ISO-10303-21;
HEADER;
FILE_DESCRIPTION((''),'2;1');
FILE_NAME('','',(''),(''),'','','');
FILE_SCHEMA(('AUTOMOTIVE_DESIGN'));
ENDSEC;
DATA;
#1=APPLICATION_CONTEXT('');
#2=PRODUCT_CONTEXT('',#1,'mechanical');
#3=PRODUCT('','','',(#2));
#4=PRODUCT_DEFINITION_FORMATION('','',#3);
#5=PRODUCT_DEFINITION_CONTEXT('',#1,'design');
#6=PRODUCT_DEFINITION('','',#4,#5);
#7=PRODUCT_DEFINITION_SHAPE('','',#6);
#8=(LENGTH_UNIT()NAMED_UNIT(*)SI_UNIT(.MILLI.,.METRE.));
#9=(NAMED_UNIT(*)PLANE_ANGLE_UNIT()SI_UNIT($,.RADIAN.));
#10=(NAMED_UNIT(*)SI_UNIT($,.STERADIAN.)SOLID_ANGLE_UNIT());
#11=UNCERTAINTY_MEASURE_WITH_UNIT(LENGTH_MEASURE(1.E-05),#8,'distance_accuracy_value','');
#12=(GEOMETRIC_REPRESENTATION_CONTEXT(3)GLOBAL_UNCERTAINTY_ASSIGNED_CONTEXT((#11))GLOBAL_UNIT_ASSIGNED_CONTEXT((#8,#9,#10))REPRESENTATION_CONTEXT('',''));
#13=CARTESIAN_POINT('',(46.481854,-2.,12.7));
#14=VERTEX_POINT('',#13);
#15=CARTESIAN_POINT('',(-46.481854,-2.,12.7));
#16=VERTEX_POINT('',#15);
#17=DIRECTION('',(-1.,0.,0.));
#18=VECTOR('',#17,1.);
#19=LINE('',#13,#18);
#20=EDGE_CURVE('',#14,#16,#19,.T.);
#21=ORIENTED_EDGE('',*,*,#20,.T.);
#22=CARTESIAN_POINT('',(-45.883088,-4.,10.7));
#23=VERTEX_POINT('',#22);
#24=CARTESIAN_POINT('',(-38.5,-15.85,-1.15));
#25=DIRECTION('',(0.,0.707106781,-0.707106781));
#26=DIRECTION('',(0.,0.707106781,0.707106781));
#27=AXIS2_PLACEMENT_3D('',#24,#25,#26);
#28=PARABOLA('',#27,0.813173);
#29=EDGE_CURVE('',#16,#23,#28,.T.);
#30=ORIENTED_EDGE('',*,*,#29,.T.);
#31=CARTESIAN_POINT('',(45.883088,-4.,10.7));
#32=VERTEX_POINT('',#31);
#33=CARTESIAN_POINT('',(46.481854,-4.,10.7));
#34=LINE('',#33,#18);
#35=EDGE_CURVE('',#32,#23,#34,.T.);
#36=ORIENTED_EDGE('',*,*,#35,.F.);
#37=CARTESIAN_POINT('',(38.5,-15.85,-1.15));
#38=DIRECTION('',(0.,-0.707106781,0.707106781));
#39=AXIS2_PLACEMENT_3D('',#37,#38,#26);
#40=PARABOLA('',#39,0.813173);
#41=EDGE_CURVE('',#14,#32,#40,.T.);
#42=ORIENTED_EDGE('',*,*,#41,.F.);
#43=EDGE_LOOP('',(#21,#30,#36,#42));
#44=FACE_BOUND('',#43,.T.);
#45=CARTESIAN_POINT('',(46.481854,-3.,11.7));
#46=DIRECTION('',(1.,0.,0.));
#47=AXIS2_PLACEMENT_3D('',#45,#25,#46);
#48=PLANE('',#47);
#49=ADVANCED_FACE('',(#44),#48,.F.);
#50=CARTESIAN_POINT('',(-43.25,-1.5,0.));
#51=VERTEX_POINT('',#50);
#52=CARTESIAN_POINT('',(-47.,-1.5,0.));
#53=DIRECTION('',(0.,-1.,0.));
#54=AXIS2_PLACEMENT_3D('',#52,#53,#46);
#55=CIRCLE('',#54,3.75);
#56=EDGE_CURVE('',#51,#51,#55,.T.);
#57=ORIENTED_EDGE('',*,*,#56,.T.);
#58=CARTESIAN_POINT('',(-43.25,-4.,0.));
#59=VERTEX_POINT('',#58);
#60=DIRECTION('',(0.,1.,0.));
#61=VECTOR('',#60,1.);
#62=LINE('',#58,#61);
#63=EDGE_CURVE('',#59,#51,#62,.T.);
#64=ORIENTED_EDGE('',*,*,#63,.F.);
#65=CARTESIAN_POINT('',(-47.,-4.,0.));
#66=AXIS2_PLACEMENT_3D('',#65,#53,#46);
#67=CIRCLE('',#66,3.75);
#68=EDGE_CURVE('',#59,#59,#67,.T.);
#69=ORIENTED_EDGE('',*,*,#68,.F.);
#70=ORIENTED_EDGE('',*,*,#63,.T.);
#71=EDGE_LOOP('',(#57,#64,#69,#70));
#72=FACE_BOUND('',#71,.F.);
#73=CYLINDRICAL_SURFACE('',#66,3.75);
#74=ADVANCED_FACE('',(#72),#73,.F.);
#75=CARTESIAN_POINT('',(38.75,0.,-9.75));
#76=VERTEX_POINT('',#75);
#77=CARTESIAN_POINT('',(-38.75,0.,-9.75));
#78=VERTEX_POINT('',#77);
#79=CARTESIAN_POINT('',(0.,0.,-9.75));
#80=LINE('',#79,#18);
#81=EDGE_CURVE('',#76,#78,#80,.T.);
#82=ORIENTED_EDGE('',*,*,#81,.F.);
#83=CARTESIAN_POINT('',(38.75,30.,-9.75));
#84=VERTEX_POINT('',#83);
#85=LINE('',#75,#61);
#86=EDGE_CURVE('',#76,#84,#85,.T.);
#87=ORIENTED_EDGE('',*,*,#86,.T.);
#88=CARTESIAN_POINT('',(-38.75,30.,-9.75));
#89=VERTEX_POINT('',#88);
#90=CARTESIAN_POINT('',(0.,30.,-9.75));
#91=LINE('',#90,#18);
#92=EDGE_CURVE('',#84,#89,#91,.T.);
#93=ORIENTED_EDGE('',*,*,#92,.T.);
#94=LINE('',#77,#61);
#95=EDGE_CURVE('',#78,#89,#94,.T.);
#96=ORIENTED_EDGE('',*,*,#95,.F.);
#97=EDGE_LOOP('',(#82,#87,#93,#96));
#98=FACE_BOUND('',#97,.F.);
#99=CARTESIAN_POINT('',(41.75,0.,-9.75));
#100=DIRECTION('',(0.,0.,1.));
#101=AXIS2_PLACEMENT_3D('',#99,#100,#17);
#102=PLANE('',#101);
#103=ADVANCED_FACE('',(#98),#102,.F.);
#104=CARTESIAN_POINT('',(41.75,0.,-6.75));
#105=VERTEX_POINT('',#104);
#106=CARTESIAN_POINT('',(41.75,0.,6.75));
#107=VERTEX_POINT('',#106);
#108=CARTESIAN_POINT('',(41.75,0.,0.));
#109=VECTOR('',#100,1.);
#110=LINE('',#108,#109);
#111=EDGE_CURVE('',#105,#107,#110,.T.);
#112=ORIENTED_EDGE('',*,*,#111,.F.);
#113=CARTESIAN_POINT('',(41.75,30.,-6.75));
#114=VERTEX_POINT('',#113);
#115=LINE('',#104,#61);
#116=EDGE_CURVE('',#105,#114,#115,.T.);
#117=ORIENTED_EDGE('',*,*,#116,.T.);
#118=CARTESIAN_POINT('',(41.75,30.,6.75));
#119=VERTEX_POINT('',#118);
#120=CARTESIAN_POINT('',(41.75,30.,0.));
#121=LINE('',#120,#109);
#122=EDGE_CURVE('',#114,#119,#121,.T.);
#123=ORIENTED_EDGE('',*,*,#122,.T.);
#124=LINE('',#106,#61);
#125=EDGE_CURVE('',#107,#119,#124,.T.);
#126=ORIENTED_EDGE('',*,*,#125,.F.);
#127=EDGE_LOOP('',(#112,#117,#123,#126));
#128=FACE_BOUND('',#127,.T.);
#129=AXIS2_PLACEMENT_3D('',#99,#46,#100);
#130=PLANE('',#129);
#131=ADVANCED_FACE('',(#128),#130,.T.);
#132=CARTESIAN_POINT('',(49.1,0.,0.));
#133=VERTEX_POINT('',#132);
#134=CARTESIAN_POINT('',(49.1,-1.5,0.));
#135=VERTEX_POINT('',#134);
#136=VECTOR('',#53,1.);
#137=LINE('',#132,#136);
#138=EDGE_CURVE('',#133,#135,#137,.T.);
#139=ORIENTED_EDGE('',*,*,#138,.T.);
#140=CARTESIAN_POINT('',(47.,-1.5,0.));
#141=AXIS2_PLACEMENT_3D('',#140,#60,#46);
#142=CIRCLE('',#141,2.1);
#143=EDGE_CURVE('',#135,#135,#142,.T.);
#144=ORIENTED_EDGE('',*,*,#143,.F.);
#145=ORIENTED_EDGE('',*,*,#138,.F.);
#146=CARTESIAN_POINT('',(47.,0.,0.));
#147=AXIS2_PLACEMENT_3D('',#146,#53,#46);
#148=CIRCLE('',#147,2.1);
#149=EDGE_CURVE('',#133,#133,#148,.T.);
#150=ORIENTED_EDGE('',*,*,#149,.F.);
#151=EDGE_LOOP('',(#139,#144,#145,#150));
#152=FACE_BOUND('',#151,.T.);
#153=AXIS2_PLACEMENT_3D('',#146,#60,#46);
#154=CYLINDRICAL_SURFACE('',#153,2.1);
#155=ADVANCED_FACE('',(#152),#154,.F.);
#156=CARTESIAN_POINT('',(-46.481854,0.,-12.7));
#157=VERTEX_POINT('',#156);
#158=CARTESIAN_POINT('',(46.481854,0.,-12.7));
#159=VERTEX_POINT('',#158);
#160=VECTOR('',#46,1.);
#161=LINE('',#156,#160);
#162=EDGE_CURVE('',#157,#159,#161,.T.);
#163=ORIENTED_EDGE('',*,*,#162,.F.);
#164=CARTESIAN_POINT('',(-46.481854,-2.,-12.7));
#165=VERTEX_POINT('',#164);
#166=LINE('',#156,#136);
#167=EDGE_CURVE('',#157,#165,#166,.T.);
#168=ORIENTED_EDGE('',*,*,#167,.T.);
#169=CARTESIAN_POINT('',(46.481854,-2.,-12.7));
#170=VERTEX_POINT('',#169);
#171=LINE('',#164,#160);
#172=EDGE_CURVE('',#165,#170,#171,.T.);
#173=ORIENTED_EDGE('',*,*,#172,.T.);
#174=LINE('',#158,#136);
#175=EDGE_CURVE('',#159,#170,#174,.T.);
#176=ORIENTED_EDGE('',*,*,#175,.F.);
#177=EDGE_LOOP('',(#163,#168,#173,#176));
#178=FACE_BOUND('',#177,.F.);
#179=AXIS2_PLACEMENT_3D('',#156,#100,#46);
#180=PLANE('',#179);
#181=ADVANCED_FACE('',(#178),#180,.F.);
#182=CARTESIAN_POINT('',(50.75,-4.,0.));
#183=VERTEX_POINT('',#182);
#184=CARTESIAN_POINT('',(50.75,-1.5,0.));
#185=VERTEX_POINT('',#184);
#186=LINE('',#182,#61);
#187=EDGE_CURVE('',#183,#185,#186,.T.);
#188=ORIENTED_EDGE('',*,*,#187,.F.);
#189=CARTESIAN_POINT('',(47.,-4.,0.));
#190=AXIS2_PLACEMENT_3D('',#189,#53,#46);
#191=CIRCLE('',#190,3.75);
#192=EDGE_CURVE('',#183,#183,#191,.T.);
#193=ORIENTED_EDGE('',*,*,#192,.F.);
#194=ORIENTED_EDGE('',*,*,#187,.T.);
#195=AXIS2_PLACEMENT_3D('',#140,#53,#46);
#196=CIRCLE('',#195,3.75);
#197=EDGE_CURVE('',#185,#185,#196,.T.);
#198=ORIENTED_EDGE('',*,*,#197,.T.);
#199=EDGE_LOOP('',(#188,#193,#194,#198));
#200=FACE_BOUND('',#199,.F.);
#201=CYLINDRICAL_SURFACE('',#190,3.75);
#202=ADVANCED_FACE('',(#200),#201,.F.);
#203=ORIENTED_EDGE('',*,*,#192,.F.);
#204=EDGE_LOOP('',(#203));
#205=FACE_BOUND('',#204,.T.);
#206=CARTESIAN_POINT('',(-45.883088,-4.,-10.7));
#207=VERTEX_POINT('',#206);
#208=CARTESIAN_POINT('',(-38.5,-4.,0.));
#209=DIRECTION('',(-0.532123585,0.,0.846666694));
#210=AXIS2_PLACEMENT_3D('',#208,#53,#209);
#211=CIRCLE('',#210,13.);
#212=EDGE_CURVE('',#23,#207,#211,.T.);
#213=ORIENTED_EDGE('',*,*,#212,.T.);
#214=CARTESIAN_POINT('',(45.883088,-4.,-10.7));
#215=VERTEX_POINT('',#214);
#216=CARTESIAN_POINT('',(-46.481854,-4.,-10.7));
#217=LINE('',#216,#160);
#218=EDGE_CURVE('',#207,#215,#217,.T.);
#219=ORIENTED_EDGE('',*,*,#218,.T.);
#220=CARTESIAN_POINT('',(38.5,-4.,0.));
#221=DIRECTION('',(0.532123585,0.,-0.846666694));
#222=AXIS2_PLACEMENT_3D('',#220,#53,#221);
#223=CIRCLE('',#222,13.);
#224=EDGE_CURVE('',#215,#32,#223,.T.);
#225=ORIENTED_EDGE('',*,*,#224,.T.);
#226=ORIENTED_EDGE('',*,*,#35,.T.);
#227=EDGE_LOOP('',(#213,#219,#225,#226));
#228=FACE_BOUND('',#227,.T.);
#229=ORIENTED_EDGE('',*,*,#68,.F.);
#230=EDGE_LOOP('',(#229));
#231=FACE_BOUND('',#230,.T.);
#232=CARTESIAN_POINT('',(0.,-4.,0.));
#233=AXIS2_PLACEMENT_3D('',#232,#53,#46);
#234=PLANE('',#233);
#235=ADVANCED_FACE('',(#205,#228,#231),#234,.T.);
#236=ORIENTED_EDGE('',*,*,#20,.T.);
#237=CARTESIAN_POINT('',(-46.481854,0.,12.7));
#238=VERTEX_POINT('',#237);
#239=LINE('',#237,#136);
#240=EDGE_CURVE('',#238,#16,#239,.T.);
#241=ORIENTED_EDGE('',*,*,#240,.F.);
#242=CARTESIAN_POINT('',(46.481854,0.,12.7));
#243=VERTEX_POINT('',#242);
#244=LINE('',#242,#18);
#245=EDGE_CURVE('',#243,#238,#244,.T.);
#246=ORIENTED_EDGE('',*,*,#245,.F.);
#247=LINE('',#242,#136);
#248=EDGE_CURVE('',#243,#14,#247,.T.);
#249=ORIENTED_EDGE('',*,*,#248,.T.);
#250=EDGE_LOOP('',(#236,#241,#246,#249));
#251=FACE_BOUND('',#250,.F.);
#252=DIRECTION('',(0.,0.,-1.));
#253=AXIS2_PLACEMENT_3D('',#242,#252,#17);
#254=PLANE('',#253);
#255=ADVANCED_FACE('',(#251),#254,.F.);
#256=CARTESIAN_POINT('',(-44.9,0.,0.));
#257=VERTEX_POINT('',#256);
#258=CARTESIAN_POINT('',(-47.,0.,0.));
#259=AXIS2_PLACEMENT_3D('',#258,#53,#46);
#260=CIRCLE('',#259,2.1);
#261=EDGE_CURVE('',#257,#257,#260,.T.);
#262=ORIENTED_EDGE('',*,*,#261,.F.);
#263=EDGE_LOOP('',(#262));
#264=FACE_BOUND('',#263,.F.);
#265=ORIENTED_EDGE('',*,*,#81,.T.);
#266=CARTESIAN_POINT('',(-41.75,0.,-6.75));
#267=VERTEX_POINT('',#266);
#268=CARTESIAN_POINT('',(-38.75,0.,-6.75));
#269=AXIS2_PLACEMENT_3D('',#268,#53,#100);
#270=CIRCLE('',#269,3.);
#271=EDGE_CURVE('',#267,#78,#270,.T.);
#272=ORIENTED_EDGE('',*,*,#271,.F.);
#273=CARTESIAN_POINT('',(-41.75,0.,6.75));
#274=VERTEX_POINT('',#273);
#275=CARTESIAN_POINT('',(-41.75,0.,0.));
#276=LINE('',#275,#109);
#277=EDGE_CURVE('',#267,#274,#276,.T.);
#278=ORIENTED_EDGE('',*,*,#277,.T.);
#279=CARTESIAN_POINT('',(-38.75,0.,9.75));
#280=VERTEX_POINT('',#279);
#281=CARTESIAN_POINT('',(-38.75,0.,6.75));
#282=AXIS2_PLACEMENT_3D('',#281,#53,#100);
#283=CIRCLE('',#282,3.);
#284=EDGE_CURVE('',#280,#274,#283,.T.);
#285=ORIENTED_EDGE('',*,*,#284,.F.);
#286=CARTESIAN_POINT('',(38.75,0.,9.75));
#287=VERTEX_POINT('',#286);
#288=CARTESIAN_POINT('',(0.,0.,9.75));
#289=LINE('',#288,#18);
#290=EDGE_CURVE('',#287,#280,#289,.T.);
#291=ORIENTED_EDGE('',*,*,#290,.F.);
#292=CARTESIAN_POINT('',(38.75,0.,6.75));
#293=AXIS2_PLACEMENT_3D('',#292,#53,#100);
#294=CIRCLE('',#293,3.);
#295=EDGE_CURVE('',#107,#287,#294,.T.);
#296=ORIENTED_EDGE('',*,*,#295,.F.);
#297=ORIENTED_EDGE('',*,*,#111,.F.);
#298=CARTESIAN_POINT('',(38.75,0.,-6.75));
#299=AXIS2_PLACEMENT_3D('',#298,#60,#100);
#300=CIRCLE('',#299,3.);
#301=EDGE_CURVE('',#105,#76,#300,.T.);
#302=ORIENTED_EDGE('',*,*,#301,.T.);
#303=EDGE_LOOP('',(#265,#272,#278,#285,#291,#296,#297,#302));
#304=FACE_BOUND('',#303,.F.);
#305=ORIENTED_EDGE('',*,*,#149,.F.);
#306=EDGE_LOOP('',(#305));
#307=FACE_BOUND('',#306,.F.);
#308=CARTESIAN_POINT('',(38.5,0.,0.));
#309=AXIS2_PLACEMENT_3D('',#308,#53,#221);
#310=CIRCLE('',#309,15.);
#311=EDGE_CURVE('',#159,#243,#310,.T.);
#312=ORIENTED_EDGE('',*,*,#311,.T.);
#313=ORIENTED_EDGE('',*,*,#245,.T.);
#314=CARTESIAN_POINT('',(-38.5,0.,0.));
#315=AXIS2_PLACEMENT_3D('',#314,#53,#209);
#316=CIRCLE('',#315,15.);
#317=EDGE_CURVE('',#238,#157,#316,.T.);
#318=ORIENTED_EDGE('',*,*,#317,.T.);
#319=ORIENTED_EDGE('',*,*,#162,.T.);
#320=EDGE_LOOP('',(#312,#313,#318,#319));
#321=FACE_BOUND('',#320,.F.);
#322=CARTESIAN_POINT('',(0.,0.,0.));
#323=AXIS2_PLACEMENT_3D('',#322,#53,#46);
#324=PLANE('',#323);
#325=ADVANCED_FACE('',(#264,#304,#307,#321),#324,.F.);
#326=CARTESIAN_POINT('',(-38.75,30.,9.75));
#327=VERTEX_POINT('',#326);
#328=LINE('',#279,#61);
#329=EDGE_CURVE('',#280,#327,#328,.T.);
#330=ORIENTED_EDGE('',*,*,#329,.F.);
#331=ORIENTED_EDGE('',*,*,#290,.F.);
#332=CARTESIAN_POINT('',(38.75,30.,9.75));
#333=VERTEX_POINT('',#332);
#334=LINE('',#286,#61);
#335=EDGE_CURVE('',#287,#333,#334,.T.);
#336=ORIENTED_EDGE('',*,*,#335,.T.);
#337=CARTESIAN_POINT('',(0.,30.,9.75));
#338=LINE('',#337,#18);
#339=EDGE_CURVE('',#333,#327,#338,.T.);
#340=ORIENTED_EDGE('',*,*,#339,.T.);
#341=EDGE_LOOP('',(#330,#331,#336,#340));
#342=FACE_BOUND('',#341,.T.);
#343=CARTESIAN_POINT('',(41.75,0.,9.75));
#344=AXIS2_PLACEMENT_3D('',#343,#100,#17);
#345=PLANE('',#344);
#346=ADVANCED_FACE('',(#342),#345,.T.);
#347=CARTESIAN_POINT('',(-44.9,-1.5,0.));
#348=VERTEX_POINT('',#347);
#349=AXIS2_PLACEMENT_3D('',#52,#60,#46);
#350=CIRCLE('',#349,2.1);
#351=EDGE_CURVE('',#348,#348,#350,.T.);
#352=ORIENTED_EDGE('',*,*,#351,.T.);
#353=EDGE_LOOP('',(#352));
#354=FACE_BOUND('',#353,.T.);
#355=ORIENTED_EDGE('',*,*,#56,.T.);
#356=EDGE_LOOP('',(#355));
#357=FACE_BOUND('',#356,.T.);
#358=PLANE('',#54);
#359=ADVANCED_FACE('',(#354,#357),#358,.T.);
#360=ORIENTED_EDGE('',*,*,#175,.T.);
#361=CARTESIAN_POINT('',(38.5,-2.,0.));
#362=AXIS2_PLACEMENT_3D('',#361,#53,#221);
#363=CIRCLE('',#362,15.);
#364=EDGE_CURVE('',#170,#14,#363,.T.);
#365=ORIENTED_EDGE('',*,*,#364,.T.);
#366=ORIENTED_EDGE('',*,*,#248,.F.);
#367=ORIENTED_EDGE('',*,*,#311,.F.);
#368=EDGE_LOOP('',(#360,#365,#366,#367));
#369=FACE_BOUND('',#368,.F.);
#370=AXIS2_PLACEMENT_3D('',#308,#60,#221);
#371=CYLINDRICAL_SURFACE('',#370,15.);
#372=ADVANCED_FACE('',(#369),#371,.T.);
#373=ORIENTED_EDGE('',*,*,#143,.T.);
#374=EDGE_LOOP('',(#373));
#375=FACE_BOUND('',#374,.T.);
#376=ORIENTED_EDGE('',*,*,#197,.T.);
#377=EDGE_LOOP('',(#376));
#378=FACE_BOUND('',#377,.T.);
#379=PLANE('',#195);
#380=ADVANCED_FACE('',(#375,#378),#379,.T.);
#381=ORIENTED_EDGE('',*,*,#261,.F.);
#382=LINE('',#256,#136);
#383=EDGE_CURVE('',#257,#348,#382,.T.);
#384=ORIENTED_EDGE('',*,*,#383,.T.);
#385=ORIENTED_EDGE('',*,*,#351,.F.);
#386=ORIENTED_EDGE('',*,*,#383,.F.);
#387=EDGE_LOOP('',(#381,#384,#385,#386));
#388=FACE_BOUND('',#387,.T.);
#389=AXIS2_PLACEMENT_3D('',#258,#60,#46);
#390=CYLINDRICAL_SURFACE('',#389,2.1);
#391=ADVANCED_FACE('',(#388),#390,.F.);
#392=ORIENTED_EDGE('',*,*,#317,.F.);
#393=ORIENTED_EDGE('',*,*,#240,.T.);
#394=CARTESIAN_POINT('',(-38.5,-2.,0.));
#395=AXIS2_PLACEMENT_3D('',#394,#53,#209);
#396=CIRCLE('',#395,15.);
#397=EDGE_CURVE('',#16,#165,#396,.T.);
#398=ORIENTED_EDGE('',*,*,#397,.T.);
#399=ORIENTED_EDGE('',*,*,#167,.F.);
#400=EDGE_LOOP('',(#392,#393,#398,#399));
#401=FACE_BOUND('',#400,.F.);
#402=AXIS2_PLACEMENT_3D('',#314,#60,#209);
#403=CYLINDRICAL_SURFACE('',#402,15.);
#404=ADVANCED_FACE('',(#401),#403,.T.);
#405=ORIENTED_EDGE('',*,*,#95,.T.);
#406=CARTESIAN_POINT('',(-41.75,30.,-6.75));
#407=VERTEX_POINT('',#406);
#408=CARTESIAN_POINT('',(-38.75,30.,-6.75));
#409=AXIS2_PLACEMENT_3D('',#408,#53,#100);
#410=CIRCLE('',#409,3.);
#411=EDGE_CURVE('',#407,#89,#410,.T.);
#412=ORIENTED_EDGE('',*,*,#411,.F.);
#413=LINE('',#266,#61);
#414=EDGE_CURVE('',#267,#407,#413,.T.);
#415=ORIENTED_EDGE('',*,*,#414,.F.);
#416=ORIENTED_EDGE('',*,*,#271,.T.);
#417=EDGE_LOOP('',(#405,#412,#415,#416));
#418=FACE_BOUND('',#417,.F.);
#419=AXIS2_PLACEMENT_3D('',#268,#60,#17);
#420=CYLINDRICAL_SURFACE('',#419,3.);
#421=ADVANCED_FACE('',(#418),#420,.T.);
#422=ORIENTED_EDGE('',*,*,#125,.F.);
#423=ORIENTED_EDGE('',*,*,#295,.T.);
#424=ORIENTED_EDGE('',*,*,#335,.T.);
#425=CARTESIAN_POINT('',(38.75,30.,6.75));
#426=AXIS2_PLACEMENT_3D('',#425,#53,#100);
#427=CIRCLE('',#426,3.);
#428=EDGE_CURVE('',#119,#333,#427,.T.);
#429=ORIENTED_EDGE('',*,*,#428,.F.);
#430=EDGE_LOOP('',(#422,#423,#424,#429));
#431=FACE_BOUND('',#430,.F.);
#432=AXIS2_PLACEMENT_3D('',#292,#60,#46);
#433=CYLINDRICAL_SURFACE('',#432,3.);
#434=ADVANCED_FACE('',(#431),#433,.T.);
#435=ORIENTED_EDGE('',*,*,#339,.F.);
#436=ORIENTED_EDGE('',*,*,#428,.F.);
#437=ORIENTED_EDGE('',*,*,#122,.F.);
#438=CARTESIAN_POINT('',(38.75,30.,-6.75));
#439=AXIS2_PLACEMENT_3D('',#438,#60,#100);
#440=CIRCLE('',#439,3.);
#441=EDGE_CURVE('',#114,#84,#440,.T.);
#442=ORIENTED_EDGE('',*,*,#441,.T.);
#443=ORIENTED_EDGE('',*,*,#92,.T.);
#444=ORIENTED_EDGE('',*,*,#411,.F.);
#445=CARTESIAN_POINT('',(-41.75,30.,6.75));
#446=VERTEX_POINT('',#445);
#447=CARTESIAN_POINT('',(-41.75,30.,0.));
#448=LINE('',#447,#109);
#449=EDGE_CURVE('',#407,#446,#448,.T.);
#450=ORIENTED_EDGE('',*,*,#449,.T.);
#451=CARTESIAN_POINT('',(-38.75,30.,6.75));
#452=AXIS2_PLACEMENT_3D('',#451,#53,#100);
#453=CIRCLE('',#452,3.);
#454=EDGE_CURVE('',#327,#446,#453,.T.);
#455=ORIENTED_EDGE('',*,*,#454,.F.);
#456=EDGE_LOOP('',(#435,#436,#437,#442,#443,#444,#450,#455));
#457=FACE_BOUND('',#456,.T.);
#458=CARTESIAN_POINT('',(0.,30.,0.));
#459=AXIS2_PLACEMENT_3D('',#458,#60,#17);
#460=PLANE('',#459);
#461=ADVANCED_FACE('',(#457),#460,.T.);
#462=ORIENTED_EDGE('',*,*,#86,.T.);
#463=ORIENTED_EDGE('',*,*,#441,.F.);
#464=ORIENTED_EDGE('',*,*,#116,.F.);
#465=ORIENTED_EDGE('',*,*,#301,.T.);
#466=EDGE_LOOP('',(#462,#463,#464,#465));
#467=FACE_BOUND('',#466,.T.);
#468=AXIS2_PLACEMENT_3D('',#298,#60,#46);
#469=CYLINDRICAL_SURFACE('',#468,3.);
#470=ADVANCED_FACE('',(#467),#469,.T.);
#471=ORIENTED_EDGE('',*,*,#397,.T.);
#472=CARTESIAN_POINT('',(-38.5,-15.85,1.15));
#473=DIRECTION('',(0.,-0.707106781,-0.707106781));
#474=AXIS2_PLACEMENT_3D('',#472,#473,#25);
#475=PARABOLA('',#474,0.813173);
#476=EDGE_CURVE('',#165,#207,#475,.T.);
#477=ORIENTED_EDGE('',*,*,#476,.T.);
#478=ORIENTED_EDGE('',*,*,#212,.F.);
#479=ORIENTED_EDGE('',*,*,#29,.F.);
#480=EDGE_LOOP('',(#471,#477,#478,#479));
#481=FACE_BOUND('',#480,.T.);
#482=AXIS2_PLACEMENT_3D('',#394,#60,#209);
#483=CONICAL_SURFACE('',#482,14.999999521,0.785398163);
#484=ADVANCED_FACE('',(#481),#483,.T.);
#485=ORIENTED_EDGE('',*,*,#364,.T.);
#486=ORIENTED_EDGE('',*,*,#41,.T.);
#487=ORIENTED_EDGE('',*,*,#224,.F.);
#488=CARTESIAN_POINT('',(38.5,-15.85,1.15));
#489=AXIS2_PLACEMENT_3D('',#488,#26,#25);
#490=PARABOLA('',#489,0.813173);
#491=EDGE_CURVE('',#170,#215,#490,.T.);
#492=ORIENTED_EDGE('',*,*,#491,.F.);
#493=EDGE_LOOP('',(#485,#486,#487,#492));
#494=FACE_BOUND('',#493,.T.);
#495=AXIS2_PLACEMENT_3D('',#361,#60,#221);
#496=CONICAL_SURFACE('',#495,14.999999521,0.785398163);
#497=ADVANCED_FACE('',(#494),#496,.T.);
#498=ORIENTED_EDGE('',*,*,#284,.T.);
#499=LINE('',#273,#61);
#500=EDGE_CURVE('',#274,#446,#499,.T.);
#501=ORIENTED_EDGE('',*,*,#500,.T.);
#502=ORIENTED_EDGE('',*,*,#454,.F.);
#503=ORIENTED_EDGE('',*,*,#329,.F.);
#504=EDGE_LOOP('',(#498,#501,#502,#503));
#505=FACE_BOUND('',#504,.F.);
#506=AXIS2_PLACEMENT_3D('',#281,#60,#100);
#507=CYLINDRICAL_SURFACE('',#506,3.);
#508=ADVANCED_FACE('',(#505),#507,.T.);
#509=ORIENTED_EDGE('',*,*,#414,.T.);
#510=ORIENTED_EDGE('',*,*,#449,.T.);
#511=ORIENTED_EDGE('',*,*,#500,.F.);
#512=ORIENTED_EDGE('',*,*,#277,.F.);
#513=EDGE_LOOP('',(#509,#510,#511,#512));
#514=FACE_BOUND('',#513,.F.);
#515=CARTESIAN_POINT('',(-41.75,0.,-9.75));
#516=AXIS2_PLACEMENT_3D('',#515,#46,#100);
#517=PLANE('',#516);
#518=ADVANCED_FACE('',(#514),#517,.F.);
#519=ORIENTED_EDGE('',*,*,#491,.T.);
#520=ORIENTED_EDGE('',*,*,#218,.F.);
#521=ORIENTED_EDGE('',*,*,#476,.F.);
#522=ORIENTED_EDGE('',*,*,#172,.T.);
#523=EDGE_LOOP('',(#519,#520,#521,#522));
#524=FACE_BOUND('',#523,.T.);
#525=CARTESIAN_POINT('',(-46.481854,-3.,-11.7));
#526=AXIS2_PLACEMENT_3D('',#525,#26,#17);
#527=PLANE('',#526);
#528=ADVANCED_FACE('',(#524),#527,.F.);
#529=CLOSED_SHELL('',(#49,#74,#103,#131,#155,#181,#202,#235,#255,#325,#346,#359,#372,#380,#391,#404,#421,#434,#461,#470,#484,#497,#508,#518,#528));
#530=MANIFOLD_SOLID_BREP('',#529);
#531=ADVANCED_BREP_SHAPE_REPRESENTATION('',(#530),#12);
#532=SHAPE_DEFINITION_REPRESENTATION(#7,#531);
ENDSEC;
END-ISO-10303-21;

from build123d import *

# Parameters (mm, degrees)
F0_R     = 2.1
F1_DEPTH = 4
F2_SIZE  = 2
F3_R     = 3.75
F4_DEPTH = 2.5
F5_W     = 83.5
F5_H     = 19.5
F6_DEPTH = 30
F7_R     = 3


with BuildPart() as f1:
    # F0 (on Front) → F1 (new body)
    with BuildSketch(Plane.XZ):
        with BuildLine():
            Line((0, 12.7), (-46.481854, 12.7))
            ThreePointArc((-46.481854, 12.7), (-53.5, 0), (-46.481854, -12.7))
            Line((-46.481854, -12.7), (0, -12.7))
            Line((0, -12.7), (46.481854, -12.7))
            ThreePointArc((46.481854, -12.7), (53.5, 0), (46.481854, 12.7))
            Line((46.481854, 12.7), (0, 12.7))
        make_face()
        with Locations((-47, 0)):
            Circle(F0_R, mode=Mode.SUBTRACT)
        with Locations((47, 0)):
            Circle(F0_R, mode=Mode.SUBTRACT)
    extrude(amount=F1_DEPTH)

    # F2
    f2_edges = [f1.edges().sort_by_distance(p)[0] for p in [
        (0, -4, 12.7),
        (53.5, -4, 0),
        (0, -4, -12.7),
        (-53.5, -4, 0),
    ]]
    chamfer(f2_edges, length=F2_SIZE)

    # F3 (on face) → F4 (cut)
    with BuildSketch(Plane.XZ.offset(4)):
        with Locations((-47, 0)):
            Circle(F3_R)
        with Locations((47, 0)):
            Circle(F3_R)
    extrude(amount=-F4_DEPTH, mode=Mode.SUBTRACT)

    # F5 (on face) → F6 (join)
    with BuildSketch(Plane(origin=(0, 0, 0), x_dir=(-1, 0, 0), z_dir=(0, 1, 0))):
        Rectangle(F5_W, F5_H)
    extrude(amount=F6_DEPTH)

    # F7
    f7_edges = [f1.edges().sort_by_distance(p)[0] for p in [
        (41.75, 15, 9.75),
        (-41.75, 15, 9.75),
        (-41.75, 15, -9.75),
        (41.75, 15, -9.75),
    ]]
    fillet(f7_edges, radius=F7_R)


solid = f1.part
